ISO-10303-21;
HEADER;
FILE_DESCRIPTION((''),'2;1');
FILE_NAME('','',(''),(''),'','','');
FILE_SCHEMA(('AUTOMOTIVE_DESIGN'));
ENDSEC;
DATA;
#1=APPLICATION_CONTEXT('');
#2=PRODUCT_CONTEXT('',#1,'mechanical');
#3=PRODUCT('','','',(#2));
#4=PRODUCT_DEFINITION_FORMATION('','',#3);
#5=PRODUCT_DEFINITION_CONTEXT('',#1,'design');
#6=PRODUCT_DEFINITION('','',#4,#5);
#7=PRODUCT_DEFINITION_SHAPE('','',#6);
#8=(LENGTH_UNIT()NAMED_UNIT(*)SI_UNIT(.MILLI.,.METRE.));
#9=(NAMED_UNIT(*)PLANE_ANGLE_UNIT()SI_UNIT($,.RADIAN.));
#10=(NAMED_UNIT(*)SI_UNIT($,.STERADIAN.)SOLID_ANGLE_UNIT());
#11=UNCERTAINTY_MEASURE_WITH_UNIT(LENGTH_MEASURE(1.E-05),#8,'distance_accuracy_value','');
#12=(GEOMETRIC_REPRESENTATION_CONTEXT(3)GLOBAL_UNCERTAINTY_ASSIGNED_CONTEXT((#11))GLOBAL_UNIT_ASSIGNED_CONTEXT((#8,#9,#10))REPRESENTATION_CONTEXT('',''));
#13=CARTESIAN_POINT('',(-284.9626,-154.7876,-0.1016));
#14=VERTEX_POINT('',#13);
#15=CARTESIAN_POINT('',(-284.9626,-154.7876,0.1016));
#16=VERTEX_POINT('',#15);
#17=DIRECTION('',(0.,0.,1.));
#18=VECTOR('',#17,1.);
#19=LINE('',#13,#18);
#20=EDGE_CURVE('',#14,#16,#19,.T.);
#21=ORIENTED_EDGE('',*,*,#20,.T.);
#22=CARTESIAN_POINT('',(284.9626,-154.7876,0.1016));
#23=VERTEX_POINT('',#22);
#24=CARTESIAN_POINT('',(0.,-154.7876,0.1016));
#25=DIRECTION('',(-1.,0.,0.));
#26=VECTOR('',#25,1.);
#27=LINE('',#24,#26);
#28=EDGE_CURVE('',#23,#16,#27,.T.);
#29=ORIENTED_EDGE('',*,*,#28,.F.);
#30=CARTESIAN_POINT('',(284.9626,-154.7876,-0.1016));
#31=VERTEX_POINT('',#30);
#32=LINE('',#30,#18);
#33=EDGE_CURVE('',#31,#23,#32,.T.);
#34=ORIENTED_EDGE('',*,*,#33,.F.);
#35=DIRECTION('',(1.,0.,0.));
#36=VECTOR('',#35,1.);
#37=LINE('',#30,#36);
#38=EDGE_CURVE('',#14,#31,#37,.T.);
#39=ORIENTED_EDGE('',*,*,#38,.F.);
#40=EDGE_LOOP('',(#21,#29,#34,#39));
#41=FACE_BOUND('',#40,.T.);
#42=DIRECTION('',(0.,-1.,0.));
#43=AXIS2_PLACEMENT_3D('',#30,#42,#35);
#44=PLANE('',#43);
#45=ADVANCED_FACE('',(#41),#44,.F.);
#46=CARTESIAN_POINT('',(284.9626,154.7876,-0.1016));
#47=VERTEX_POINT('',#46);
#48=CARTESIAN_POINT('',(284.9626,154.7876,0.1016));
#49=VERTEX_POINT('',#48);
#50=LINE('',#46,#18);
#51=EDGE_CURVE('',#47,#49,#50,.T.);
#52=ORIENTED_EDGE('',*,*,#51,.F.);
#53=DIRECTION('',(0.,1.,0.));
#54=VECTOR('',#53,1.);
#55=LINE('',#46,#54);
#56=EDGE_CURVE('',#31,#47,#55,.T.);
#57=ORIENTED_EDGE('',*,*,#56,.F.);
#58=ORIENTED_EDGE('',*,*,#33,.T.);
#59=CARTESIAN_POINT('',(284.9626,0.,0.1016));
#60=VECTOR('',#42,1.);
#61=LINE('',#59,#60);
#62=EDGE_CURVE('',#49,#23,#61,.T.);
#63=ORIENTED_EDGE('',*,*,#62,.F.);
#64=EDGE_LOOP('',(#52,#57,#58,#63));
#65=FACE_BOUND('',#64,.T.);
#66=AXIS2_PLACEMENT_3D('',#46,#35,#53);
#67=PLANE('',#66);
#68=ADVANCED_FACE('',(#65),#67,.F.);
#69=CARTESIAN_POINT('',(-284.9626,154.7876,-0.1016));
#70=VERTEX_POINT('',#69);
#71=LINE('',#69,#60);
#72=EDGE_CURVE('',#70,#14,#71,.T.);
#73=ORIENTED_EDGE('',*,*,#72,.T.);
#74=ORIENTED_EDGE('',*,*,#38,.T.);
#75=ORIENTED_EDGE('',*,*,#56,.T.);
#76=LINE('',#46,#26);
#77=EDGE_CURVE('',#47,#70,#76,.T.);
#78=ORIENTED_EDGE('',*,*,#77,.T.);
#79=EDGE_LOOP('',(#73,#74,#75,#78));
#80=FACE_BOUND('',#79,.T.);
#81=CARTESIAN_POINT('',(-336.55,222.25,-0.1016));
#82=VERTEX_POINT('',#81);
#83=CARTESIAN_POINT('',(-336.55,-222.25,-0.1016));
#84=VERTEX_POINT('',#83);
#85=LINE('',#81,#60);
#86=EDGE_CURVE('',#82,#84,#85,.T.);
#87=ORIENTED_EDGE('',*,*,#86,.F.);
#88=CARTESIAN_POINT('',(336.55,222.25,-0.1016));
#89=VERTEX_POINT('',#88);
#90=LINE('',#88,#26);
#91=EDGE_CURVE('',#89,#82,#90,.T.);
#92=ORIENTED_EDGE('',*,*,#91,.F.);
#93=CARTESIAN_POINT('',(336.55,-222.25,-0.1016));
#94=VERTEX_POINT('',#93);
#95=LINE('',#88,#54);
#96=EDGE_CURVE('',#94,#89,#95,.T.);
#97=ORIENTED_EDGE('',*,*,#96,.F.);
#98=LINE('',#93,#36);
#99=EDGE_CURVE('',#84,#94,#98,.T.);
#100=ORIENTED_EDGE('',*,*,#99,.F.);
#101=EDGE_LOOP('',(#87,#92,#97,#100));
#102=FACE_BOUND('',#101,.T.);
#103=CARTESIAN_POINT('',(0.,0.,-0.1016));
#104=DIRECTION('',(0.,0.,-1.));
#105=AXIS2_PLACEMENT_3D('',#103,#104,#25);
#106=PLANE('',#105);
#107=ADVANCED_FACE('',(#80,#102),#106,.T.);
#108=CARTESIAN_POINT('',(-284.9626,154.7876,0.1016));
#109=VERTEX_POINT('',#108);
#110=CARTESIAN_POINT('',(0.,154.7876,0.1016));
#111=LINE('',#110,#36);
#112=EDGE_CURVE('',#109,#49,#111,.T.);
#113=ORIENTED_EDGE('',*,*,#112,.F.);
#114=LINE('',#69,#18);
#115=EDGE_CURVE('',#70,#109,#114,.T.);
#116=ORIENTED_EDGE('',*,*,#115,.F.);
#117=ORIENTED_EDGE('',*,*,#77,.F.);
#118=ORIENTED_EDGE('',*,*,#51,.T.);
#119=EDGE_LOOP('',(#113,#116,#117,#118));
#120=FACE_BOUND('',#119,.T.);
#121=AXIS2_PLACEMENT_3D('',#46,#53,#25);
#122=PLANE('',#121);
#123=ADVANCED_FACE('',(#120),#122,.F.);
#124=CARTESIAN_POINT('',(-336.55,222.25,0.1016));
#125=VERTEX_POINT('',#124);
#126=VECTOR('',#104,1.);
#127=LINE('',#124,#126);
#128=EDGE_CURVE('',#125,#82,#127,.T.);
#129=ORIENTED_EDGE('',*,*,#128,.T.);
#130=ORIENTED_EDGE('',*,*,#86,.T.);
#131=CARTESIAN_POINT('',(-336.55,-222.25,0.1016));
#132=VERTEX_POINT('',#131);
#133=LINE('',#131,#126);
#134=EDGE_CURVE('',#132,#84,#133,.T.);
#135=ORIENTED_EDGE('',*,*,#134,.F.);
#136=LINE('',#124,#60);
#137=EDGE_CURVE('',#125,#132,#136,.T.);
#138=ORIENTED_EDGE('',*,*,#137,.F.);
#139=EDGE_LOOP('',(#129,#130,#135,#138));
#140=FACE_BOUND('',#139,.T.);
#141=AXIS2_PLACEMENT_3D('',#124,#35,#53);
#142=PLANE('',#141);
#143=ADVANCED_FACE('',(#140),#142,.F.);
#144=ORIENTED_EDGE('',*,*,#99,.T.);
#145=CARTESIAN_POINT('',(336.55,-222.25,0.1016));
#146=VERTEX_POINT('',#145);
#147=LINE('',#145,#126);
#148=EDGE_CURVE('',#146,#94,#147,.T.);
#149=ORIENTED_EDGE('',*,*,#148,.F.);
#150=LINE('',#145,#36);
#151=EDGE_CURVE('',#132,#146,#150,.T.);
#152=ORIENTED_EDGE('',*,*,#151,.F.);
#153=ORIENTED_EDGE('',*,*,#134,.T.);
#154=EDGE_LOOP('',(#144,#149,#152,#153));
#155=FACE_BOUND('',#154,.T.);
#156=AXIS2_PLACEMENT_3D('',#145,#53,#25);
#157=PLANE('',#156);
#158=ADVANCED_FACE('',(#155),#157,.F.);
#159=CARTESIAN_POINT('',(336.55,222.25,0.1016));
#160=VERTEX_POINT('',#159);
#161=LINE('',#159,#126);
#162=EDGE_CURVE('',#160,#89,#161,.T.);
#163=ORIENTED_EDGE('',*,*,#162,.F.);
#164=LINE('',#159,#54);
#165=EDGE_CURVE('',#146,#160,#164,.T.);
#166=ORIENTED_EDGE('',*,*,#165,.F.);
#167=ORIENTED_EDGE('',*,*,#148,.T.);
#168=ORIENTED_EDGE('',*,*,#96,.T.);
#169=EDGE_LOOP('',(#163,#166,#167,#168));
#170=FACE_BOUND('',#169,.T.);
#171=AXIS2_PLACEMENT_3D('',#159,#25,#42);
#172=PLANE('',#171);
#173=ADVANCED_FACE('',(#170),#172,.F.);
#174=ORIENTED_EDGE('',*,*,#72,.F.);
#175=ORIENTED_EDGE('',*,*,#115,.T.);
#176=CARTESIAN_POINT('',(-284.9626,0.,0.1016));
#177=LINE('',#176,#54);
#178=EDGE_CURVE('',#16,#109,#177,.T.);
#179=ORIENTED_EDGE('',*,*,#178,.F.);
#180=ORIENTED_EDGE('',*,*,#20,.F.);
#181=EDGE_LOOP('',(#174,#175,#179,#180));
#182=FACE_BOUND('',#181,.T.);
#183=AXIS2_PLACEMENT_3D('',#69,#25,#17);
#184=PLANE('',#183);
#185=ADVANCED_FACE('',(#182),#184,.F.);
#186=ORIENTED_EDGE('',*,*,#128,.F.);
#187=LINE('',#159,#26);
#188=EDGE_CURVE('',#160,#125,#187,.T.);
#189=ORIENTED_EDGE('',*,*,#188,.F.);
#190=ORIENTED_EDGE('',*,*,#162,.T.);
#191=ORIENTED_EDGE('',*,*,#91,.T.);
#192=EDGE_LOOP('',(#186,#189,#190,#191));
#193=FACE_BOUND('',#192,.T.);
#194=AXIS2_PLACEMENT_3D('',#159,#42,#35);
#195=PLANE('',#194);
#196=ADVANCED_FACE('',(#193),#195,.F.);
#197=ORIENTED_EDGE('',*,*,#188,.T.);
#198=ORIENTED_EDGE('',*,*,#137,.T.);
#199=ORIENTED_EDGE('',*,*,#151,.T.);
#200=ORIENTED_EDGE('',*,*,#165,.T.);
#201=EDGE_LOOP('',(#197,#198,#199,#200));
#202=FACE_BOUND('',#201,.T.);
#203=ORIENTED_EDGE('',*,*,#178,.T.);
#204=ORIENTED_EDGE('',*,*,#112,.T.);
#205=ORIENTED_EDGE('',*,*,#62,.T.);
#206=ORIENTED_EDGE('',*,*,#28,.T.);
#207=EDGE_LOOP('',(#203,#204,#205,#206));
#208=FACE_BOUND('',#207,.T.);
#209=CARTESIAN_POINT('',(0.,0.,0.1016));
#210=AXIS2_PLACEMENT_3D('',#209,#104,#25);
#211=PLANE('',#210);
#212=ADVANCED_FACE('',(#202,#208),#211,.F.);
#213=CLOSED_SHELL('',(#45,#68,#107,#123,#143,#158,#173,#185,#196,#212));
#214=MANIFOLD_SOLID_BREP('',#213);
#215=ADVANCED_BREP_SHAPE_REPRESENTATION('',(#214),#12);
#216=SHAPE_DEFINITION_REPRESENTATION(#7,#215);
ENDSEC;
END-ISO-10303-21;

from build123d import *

# Parameters (mm, degrees)
SKETCH1_W               = 673.1
SKETCH1_H               = 444.5
BOSS_EXTRUDE1_DEPTH     = 0.1016
SKETCH2_W               = 569.9252
SKETCH2_H               = 309.5752
CUT_EXTRUDE1_DEPTH      = 1
CUT_EXTRUDE1_DEPTH_BACK = 1.2032


with BuildPart() as part:
    # Sketch1 → Boss-Extrude1 (new body, symmetric)
    with BuildSketch(Plane.XY):
        Rectangle(SKETCH1_W, SKETCH1_H)
    extrude(amount=BOSS_EXTRUDE1_DEPTH, both=True)

    # Sketch2 → Cut-Extrude1 (cut, two sides)
    with BuildSketch(Plane.XY.offset(0.1016)) as cut_extrude1_sk:
        Rectangle(SKETCH2_W, SKETCH2_H)
    extrude(amount=CUT_EXTRUDE1_DEPTH, mode=Mode.SUBTRACT)
    extrude(cut_extrude1_sk.sketch, amount=-CUT_EXTRUDE1_DEPTH_BACK, mode=Mode.SUBTRACT)


solid = part.part
